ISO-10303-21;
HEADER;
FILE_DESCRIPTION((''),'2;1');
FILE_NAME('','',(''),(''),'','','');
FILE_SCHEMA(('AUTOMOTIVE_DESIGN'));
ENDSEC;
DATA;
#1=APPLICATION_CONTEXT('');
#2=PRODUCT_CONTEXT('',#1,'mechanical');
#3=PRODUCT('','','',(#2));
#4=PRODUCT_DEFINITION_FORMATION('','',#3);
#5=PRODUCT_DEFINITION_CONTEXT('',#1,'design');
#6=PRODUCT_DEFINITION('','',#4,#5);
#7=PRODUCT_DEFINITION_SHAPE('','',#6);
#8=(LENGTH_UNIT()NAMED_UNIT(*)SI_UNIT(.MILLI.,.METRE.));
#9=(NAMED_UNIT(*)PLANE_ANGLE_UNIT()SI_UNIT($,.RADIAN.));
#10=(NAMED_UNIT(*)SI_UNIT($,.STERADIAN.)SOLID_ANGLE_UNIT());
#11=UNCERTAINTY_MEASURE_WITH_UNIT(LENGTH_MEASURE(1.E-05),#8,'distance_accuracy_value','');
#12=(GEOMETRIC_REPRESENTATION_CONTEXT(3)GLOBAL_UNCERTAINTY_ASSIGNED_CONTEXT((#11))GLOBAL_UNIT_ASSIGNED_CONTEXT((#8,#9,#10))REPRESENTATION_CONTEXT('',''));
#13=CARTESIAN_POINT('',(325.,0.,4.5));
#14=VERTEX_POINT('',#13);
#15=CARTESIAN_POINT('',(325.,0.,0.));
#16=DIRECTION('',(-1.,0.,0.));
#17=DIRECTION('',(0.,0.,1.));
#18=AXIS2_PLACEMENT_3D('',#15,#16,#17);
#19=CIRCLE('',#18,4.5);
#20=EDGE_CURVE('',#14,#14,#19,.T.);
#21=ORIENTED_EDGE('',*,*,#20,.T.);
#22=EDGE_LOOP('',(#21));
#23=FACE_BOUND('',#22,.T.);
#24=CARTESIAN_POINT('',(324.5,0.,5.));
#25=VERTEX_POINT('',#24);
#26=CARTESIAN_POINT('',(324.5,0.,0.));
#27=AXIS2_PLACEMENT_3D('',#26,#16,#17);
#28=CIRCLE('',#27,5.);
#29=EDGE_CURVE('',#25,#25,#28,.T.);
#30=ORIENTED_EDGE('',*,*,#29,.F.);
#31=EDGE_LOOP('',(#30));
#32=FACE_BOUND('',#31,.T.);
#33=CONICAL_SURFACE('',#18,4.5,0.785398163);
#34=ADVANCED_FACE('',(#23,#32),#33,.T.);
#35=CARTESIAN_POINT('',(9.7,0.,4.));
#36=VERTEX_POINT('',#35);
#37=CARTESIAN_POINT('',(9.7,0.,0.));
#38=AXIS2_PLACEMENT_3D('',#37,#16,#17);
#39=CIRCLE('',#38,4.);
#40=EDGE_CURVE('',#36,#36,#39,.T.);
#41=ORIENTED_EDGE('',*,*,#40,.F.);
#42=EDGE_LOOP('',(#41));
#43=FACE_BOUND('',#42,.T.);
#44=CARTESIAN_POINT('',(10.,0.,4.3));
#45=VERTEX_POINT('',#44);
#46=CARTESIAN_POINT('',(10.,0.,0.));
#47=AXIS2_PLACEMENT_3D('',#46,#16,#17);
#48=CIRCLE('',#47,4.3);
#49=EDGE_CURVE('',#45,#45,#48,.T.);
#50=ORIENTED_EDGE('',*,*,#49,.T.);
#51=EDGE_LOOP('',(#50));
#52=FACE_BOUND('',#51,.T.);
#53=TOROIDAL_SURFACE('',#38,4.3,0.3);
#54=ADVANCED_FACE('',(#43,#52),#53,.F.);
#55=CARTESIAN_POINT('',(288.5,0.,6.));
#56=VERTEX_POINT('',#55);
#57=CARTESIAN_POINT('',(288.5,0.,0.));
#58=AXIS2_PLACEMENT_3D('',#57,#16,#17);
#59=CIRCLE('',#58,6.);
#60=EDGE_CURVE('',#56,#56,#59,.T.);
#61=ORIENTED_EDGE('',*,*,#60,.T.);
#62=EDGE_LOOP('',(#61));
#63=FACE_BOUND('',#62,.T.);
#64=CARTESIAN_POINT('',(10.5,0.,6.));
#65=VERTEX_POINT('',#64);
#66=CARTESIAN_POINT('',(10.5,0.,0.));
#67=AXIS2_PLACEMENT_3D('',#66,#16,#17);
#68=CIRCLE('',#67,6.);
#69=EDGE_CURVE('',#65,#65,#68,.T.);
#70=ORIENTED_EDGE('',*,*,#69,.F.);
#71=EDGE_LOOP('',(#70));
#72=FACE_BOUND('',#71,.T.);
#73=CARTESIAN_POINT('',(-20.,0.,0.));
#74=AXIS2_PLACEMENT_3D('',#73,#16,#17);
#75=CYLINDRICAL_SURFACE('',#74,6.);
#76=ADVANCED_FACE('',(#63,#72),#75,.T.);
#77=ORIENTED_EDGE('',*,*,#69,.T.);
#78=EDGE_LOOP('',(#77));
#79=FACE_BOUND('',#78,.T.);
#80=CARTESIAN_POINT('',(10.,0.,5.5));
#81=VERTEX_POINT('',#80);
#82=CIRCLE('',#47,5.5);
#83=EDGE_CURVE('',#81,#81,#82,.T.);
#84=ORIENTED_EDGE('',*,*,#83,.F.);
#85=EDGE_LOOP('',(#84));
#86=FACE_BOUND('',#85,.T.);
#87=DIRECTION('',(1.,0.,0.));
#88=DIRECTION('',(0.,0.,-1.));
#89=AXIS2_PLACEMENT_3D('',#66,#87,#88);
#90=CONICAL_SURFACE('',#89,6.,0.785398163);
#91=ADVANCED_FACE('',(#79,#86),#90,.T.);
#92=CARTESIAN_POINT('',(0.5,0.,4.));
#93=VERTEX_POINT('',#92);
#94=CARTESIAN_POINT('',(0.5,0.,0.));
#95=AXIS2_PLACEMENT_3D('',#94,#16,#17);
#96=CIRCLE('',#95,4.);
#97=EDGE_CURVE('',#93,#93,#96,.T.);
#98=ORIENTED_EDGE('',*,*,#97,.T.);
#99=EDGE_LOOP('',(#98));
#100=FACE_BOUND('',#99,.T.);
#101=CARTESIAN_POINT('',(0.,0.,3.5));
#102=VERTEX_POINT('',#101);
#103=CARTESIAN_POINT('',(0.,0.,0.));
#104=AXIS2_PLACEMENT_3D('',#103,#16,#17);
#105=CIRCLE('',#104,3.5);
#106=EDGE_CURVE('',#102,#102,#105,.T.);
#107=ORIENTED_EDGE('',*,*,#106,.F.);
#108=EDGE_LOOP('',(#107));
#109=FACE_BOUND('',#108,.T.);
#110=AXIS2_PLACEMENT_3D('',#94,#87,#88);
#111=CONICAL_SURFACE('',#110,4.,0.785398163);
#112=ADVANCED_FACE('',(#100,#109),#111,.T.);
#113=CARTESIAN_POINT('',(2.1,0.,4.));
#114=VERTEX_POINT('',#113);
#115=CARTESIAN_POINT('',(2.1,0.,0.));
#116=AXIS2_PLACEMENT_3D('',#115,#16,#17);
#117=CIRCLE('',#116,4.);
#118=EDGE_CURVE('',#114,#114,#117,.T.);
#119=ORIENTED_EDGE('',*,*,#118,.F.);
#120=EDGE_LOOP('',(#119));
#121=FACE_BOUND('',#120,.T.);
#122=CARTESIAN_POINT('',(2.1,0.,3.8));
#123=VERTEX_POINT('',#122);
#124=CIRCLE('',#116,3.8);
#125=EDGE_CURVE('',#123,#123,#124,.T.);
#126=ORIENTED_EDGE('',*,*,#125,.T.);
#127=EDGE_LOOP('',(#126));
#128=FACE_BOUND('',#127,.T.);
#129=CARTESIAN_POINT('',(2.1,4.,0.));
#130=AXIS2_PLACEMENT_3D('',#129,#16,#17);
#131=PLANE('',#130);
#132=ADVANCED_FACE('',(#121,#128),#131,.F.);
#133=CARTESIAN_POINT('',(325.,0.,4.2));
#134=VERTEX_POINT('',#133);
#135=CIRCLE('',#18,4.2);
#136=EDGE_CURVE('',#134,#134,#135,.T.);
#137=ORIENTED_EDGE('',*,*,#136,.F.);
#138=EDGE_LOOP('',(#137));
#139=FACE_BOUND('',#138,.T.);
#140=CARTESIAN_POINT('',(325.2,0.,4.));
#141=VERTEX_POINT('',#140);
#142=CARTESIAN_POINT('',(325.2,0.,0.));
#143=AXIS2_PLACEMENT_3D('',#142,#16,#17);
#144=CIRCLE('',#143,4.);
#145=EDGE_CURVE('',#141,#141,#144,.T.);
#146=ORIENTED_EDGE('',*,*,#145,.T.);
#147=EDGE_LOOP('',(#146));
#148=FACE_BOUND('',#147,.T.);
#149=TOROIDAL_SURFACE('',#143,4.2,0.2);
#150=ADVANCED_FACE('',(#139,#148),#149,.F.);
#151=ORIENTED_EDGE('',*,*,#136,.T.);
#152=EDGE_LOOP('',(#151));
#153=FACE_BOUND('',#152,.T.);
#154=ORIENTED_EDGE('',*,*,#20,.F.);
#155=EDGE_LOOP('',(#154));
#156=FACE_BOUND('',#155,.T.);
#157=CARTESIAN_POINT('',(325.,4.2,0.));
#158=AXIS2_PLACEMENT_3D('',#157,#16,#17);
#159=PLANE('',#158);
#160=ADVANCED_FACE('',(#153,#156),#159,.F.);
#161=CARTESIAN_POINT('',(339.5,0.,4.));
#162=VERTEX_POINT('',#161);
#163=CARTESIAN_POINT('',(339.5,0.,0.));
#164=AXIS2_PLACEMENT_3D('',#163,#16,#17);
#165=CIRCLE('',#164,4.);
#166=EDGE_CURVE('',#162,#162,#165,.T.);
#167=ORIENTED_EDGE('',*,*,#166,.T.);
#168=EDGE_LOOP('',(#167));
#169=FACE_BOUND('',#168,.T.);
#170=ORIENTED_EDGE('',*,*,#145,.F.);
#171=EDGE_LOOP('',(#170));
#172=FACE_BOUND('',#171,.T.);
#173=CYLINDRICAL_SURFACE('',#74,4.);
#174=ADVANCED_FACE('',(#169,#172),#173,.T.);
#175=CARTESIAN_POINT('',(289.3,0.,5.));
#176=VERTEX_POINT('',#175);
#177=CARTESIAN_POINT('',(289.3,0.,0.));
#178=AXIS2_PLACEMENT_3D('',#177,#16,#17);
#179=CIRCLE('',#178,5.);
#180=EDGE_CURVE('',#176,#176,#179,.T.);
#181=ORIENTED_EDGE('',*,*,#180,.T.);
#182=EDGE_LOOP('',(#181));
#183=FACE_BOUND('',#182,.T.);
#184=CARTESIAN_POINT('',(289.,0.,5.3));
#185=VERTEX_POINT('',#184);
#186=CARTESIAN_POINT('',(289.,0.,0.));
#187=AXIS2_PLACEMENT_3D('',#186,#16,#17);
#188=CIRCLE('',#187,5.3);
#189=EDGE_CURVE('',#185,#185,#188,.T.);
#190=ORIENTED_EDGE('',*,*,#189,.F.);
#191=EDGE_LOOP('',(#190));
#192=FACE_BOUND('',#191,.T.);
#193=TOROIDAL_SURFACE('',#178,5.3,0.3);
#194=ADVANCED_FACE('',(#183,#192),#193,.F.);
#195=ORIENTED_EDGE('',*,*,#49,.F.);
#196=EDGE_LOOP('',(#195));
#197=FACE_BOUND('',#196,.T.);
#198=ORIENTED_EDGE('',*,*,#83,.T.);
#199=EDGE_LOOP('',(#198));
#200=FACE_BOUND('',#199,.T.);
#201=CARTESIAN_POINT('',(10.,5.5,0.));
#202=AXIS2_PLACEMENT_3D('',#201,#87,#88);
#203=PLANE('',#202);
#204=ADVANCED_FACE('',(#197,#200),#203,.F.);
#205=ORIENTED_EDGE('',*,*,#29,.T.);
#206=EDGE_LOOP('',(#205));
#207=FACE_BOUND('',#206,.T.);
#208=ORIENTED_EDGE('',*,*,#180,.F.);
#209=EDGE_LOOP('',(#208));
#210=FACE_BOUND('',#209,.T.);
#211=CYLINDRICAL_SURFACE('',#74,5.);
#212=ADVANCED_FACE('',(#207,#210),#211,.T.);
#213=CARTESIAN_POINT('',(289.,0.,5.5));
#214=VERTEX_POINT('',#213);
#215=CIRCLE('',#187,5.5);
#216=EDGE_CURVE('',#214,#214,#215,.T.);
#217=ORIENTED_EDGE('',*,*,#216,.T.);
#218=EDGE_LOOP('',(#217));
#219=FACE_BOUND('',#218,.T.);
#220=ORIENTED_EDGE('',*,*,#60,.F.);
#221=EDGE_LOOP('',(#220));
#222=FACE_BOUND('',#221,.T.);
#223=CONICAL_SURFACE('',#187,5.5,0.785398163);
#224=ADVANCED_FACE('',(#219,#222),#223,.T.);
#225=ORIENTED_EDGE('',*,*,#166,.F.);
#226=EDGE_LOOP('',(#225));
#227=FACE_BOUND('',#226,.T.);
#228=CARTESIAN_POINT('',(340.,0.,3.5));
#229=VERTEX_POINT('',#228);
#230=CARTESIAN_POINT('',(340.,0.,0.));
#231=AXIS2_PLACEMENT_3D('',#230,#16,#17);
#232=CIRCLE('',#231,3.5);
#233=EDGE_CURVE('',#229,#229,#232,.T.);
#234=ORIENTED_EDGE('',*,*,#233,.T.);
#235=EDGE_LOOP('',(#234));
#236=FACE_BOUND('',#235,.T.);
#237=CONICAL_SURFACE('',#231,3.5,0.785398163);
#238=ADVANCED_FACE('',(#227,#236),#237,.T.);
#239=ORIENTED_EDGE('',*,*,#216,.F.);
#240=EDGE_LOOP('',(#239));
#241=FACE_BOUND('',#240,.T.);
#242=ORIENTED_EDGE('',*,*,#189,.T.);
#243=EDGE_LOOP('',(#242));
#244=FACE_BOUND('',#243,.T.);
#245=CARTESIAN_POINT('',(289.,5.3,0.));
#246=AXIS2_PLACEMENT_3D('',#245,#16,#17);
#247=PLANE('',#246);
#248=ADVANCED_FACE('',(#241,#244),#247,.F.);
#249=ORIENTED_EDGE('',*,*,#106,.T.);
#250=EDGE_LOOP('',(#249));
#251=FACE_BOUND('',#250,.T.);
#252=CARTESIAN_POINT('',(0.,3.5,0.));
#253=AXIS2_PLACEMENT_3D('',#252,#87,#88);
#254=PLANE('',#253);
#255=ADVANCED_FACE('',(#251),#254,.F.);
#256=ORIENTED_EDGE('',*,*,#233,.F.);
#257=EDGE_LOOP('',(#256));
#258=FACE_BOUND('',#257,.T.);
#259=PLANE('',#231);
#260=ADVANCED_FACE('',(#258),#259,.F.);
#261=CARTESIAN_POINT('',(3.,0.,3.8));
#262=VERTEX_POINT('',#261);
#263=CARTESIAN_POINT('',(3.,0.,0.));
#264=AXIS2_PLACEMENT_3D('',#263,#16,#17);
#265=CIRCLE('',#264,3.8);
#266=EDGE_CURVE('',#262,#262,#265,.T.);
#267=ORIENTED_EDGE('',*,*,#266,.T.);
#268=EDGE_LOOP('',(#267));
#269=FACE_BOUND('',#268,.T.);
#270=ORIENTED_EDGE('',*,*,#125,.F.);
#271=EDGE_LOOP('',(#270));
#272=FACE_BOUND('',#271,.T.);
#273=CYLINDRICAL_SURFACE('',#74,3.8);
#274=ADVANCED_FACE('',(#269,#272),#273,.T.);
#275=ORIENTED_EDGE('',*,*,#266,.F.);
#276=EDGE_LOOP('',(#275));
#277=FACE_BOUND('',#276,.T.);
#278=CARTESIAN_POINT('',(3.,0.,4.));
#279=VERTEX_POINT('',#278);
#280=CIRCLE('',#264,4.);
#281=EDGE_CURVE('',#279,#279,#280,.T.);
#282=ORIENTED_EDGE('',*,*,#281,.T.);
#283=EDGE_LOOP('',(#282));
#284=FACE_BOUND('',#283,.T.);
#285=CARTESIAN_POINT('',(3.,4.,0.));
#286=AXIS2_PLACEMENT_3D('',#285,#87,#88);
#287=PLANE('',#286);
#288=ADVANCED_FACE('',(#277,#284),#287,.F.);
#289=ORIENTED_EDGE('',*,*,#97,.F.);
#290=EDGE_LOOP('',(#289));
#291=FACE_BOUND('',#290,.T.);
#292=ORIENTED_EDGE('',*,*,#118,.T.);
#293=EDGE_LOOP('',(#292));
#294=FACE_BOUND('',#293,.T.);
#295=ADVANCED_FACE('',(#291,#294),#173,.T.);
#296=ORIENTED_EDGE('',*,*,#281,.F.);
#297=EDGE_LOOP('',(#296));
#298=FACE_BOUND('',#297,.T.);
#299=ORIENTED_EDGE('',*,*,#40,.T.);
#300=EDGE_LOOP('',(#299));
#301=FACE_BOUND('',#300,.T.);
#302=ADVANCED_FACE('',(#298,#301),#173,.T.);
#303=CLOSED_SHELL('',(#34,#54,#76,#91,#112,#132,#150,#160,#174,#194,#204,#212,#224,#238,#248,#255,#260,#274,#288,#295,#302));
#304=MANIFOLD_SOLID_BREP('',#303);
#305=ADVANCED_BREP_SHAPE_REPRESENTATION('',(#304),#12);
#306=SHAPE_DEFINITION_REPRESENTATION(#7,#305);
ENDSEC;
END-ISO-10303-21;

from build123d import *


with BuildPart() as part:
    # Sketch1 → Revolve1 (revolve)
    with BuildSketch(Plane.XY):
        with BuildLine():
            Line((2.1, 4), (2.1, 3.8))
            Line((2.1, 3.8), (3, 3.8))
            Line((3, 3.8), (3, 4))
            Line((3, 4), (9.7, 4))
            ThreePointArc((9.7, 4), (9.912132034, 4.087867966), (10, 4.3))
            Line((10, 4.3), (10, 5.5))
            Line((10, 5.5), (10.5, 6))
            Line((10.5, 6), (288.5, 6))
            Line((288.5, 6), (289, 5.5))
            Line((289, 5.5), (289, 5.3))
            ThreePointArc((289, 5.3), (289.087867966, 5.087867966), (289.3, 5))
            Line((289.3, 5), (324.5, 5))
            Line((324.5, 5), (325, 4.5))
            Line((325, 4.5), (325, 4.2))
            ThreePointArc((325, 4.2), (325.058578644, 4.058578644), (325.2, 4))
            Line((325.2, 4), (339.5, 4))
            Line((339.5, 4), (340, 3.5))
            Line((340, 3.5), (340, 0))
            Line((340, 0), (0, 0))
            Line((0, 0), (0, 3.5))
            Line((0, 3.5), (0.5, 4))
            Line((0.5, 4), (2.1, 4))
        make_face()
    revolve(axis=Axis((-20, 0, 0), (1, 0, 0)))


solid = part.part
